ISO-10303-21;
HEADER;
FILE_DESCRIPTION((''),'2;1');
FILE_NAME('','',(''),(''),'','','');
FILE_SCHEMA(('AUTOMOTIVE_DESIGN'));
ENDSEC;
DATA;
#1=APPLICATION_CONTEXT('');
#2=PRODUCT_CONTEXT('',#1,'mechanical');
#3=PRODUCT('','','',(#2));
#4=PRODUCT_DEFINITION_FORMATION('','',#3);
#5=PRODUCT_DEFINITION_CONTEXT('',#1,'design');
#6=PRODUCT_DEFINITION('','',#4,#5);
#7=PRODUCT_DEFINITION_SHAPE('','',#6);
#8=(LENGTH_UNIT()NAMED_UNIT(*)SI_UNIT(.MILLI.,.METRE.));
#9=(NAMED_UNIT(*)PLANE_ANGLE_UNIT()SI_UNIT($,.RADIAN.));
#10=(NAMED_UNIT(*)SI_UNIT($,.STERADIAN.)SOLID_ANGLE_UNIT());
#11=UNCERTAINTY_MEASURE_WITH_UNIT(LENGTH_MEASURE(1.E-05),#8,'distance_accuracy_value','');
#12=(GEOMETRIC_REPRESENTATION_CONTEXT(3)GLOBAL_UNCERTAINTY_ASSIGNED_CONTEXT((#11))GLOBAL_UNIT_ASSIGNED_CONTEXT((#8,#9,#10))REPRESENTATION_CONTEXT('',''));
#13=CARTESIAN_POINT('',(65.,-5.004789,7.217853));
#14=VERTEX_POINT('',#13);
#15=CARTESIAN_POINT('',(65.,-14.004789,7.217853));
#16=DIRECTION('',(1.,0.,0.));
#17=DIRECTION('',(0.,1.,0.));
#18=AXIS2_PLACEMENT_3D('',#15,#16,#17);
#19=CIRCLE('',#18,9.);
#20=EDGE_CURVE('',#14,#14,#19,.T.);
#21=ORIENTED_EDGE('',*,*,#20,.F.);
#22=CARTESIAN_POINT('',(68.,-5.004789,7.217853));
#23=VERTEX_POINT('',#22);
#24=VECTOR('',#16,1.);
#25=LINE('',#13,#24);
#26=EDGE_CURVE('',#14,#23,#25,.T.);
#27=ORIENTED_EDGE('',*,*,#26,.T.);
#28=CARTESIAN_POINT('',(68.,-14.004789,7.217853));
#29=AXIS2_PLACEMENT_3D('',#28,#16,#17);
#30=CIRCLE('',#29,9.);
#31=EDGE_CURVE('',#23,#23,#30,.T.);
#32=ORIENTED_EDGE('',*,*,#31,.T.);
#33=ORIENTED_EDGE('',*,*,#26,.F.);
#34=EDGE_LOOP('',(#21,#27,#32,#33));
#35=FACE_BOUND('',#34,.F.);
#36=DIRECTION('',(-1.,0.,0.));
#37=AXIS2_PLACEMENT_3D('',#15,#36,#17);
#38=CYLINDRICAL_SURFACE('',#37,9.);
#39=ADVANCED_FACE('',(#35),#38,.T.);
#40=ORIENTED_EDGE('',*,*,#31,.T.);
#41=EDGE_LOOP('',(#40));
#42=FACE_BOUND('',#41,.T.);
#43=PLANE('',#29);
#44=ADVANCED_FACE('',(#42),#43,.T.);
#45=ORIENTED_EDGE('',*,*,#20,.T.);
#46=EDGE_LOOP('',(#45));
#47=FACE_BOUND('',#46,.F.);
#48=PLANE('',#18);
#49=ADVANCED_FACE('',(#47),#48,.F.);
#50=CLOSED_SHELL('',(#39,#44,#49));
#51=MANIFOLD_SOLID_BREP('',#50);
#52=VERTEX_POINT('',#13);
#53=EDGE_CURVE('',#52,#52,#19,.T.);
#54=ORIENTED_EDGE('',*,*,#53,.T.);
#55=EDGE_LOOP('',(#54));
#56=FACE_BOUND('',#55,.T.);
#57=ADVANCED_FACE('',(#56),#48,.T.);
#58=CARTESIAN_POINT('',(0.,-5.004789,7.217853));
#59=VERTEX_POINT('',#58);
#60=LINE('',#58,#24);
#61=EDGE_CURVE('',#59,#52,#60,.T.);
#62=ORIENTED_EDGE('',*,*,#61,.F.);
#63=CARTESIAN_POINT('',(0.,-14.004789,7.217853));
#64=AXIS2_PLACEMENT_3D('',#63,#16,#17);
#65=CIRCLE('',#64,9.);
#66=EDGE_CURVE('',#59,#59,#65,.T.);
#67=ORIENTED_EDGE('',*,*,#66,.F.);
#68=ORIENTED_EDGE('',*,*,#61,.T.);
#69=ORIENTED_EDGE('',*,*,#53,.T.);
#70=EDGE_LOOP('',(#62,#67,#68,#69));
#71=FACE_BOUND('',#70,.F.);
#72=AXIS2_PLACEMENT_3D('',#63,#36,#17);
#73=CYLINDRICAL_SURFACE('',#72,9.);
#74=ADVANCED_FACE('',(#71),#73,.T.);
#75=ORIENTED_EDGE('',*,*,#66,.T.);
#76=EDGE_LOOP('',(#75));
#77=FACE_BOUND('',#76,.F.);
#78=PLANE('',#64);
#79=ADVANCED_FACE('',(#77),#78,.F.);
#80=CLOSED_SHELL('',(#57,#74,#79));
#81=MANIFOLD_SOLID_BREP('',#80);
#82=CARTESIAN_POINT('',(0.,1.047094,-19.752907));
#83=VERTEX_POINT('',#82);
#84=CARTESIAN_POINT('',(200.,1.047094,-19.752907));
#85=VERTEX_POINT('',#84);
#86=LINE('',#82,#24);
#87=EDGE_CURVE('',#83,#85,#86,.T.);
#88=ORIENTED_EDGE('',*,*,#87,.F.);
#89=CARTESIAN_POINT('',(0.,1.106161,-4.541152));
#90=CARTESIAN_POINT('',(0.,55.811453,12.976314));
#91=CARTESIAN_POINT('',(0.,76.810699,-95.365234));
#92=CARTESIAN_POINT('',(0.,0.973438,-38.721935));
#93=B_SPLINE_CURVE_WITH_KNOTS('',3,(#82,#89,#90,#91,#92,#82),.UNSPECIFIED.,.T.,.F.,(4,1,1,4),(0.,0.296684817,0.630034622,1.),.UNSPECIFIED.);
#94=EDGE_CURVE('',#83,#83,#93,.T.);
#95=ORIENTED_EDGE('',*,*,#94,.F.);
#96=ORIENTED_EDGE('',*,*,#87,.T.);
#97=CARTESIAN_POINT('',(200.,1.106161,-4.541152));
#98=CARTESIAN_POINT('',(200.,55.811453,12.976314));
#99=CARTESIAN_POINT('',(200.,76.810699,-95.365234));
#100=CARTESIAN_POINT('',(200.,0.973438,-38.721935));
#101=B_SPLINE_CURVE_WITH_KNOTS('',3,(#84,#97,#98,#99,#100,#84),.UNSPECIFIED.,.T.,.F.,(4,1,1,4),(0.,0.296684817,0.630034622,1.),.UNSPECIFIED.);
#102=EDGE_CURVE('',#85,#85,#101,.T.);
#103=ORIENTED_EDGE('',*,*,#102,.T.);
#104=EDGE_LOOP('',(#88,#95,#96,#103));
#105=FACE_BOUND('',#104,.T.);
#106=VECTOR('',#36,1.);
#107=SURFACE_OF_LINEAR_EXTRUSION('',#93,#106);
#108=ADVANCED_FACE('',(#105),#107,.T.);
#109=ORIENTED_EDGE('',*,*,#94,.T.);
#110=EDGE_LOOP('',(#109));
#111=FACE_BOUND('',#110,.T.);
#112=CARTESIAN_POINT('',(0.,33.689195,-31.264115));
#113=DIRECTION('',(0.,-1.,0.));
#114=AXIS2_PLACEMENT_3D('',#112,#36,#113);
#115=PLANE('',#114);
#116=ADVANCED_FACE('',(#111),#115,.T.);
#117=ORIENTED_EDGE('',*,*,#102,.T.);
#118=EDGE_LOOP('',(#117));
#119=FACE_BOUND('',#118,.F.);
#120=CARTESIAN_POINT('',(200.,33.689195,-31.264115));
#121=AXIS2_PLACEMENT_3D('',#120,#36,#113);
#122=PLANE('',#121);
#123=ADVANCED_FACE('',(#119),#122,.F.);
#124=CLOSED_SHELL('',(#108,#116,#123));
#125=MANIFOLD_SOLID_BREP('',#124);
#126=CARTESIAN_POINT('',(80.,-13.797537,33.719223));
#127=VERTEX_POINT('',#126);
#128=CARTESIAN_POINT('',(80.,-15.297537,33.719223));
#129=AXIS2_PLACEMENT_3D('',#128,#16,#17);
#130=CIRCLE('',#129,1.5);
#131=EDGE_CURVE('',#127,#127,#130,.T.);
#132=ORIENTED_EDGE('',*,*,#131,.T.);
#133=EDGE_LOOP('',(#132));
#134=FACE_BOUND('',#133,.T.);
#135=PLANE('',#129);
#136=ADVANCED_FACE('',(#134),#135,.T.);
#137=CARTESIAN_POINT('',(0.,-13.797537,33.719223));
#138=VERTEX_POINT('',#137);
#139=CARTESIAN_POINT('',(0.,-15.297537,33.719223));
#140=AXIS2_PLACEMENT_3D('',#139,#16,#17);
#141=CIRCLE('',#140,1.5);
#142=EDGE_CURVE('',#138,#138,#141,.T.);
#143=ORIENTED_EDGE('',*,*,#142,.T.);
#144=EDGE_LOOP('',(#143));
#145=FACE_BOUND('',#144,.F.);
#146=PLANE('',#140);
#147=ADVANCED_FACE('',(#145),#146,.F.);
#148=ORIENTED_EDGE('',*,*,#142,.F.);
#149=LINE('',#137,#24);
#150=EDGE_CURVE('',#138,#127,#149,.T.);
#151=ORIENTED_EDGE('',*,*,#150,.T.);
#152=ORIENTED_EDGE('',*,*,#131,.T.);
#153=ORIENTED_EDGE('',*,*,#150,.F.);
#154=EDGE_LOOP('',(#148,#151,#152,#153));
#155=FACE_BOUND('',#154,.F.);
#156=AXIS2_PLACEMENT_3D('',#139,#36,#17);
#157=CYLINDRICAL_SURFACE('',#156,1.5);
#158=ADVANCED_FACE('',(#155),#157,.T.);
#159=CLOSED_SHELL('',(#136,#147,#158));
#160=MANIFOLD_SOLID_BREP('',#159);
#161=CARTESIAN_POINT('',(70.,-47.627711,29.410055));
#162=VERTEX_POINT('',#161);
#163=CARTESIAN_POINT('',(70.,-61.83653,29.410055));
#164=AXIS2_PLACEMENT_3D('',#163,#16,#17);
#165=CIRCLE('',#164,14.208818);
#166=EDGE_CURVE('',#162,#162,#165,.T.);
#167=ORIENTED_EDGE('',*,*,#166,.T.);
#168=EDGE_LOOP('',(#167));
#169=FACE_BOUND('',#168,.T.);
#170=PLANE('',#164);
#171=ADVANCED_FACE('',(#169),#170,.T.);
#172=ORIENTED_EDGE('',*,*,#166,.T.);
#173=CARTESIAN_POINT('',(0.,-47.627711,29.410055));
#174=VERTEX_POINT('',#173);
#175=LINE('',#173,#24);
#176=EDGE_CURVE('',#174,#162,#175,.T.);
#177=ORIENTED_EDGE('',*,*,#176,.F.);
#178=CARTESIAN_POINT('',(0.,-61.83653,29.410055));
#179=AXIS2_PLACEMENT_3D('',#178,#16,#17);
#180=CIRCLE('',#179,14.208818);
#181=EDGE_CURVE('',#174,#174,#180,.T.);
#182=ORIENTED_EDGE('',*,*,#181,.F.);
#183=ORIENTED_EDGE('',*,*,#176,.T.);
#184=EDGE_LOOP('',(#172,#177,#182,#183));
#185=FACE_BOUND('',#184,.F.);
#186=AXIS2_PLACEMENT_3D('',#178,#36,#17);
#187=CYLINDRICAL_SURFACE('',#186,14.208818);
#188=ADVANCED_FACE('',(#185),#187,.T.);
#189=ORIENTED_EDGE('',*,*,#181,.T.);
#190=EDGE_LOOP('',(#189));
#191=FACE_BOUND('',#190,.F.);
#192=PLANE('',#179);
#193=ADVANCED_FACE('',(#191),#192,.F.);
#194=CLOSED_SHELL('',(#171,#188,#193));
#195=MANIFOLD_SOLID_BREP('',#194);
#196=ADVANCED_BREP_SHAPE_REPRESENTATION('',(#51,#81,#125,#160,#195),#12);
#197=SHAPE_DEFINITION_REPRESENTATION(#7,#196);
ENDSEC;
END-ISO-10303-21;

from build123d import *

# Parameters (mm, degrees)
F0_R     = 9
F1_DEPTH = 65
F2_R     = 1.5
F4_DEPTH = 80
F3_R     = 14.208818441
F5_DEPTH = 70
F6_DEPTH = 3
F8_DEPTH = 200


with BuildPart() as f1:
    # F0 (on Right) → F1 (new body)
    with BuildSketch(Plane.YZ):
        with Locations((-14.0047892928, 7.2178528644)):
            Circle(F0_R)
    extrude(amount=F1_DEPTH)


with BuildPart() as f4:
    # F2 (on Right) → F4 (new body)
    with BuildSketch(Plane.YZ):
        with Locations((-15.2975367382, 33.7192229927)):
            Circle(F2_R)
    extrude(amount=F4_DEPTH)


with BuildPart() as f5:
    # F3 (on Right) → F5 (new body)
    with BuildSketch(Plane.YZ):
        with Locations((-61.8365295231, 29.4100549072)):
            Circle(F3_R)
    extrude(amount=F5_DEPTH)


with BuildPart() as f6:
    # F6 (new): a face of the model
    f6_faces = [f1.part.faces().sort_by_distance(p)[0] for p in [
        (65, -14.0047892928, 7.2178528644),
    ]]
    extrude(f6_faces, amount=F6_DEPTH)


with BuildPart() as f8:
    # F7 (on Right) → F8 (new body)
    with BuildSketch(Plane.YZ):
        with BuildLine():
            add(Edge.make_bspline(
                [(1.0470942361, -19.7529066354), (1.1061608381, -4.5411517256), (55.8114533926, 12.9763140505), (76.8106985127, -95.3652337346), (0.9734383007, -38.721934815), (1.0470942361, -19.7529066354)],
                knots=[0, 0, 0, 0, 0.2966848175, 0.6300346215, 1, 1, 1, 1], degree=3))
        make_face()
    extrude(amount=F8_DEPTH)


solid = Compound([f1.part, f4.part, f5.part, f6.part, f8.part])
